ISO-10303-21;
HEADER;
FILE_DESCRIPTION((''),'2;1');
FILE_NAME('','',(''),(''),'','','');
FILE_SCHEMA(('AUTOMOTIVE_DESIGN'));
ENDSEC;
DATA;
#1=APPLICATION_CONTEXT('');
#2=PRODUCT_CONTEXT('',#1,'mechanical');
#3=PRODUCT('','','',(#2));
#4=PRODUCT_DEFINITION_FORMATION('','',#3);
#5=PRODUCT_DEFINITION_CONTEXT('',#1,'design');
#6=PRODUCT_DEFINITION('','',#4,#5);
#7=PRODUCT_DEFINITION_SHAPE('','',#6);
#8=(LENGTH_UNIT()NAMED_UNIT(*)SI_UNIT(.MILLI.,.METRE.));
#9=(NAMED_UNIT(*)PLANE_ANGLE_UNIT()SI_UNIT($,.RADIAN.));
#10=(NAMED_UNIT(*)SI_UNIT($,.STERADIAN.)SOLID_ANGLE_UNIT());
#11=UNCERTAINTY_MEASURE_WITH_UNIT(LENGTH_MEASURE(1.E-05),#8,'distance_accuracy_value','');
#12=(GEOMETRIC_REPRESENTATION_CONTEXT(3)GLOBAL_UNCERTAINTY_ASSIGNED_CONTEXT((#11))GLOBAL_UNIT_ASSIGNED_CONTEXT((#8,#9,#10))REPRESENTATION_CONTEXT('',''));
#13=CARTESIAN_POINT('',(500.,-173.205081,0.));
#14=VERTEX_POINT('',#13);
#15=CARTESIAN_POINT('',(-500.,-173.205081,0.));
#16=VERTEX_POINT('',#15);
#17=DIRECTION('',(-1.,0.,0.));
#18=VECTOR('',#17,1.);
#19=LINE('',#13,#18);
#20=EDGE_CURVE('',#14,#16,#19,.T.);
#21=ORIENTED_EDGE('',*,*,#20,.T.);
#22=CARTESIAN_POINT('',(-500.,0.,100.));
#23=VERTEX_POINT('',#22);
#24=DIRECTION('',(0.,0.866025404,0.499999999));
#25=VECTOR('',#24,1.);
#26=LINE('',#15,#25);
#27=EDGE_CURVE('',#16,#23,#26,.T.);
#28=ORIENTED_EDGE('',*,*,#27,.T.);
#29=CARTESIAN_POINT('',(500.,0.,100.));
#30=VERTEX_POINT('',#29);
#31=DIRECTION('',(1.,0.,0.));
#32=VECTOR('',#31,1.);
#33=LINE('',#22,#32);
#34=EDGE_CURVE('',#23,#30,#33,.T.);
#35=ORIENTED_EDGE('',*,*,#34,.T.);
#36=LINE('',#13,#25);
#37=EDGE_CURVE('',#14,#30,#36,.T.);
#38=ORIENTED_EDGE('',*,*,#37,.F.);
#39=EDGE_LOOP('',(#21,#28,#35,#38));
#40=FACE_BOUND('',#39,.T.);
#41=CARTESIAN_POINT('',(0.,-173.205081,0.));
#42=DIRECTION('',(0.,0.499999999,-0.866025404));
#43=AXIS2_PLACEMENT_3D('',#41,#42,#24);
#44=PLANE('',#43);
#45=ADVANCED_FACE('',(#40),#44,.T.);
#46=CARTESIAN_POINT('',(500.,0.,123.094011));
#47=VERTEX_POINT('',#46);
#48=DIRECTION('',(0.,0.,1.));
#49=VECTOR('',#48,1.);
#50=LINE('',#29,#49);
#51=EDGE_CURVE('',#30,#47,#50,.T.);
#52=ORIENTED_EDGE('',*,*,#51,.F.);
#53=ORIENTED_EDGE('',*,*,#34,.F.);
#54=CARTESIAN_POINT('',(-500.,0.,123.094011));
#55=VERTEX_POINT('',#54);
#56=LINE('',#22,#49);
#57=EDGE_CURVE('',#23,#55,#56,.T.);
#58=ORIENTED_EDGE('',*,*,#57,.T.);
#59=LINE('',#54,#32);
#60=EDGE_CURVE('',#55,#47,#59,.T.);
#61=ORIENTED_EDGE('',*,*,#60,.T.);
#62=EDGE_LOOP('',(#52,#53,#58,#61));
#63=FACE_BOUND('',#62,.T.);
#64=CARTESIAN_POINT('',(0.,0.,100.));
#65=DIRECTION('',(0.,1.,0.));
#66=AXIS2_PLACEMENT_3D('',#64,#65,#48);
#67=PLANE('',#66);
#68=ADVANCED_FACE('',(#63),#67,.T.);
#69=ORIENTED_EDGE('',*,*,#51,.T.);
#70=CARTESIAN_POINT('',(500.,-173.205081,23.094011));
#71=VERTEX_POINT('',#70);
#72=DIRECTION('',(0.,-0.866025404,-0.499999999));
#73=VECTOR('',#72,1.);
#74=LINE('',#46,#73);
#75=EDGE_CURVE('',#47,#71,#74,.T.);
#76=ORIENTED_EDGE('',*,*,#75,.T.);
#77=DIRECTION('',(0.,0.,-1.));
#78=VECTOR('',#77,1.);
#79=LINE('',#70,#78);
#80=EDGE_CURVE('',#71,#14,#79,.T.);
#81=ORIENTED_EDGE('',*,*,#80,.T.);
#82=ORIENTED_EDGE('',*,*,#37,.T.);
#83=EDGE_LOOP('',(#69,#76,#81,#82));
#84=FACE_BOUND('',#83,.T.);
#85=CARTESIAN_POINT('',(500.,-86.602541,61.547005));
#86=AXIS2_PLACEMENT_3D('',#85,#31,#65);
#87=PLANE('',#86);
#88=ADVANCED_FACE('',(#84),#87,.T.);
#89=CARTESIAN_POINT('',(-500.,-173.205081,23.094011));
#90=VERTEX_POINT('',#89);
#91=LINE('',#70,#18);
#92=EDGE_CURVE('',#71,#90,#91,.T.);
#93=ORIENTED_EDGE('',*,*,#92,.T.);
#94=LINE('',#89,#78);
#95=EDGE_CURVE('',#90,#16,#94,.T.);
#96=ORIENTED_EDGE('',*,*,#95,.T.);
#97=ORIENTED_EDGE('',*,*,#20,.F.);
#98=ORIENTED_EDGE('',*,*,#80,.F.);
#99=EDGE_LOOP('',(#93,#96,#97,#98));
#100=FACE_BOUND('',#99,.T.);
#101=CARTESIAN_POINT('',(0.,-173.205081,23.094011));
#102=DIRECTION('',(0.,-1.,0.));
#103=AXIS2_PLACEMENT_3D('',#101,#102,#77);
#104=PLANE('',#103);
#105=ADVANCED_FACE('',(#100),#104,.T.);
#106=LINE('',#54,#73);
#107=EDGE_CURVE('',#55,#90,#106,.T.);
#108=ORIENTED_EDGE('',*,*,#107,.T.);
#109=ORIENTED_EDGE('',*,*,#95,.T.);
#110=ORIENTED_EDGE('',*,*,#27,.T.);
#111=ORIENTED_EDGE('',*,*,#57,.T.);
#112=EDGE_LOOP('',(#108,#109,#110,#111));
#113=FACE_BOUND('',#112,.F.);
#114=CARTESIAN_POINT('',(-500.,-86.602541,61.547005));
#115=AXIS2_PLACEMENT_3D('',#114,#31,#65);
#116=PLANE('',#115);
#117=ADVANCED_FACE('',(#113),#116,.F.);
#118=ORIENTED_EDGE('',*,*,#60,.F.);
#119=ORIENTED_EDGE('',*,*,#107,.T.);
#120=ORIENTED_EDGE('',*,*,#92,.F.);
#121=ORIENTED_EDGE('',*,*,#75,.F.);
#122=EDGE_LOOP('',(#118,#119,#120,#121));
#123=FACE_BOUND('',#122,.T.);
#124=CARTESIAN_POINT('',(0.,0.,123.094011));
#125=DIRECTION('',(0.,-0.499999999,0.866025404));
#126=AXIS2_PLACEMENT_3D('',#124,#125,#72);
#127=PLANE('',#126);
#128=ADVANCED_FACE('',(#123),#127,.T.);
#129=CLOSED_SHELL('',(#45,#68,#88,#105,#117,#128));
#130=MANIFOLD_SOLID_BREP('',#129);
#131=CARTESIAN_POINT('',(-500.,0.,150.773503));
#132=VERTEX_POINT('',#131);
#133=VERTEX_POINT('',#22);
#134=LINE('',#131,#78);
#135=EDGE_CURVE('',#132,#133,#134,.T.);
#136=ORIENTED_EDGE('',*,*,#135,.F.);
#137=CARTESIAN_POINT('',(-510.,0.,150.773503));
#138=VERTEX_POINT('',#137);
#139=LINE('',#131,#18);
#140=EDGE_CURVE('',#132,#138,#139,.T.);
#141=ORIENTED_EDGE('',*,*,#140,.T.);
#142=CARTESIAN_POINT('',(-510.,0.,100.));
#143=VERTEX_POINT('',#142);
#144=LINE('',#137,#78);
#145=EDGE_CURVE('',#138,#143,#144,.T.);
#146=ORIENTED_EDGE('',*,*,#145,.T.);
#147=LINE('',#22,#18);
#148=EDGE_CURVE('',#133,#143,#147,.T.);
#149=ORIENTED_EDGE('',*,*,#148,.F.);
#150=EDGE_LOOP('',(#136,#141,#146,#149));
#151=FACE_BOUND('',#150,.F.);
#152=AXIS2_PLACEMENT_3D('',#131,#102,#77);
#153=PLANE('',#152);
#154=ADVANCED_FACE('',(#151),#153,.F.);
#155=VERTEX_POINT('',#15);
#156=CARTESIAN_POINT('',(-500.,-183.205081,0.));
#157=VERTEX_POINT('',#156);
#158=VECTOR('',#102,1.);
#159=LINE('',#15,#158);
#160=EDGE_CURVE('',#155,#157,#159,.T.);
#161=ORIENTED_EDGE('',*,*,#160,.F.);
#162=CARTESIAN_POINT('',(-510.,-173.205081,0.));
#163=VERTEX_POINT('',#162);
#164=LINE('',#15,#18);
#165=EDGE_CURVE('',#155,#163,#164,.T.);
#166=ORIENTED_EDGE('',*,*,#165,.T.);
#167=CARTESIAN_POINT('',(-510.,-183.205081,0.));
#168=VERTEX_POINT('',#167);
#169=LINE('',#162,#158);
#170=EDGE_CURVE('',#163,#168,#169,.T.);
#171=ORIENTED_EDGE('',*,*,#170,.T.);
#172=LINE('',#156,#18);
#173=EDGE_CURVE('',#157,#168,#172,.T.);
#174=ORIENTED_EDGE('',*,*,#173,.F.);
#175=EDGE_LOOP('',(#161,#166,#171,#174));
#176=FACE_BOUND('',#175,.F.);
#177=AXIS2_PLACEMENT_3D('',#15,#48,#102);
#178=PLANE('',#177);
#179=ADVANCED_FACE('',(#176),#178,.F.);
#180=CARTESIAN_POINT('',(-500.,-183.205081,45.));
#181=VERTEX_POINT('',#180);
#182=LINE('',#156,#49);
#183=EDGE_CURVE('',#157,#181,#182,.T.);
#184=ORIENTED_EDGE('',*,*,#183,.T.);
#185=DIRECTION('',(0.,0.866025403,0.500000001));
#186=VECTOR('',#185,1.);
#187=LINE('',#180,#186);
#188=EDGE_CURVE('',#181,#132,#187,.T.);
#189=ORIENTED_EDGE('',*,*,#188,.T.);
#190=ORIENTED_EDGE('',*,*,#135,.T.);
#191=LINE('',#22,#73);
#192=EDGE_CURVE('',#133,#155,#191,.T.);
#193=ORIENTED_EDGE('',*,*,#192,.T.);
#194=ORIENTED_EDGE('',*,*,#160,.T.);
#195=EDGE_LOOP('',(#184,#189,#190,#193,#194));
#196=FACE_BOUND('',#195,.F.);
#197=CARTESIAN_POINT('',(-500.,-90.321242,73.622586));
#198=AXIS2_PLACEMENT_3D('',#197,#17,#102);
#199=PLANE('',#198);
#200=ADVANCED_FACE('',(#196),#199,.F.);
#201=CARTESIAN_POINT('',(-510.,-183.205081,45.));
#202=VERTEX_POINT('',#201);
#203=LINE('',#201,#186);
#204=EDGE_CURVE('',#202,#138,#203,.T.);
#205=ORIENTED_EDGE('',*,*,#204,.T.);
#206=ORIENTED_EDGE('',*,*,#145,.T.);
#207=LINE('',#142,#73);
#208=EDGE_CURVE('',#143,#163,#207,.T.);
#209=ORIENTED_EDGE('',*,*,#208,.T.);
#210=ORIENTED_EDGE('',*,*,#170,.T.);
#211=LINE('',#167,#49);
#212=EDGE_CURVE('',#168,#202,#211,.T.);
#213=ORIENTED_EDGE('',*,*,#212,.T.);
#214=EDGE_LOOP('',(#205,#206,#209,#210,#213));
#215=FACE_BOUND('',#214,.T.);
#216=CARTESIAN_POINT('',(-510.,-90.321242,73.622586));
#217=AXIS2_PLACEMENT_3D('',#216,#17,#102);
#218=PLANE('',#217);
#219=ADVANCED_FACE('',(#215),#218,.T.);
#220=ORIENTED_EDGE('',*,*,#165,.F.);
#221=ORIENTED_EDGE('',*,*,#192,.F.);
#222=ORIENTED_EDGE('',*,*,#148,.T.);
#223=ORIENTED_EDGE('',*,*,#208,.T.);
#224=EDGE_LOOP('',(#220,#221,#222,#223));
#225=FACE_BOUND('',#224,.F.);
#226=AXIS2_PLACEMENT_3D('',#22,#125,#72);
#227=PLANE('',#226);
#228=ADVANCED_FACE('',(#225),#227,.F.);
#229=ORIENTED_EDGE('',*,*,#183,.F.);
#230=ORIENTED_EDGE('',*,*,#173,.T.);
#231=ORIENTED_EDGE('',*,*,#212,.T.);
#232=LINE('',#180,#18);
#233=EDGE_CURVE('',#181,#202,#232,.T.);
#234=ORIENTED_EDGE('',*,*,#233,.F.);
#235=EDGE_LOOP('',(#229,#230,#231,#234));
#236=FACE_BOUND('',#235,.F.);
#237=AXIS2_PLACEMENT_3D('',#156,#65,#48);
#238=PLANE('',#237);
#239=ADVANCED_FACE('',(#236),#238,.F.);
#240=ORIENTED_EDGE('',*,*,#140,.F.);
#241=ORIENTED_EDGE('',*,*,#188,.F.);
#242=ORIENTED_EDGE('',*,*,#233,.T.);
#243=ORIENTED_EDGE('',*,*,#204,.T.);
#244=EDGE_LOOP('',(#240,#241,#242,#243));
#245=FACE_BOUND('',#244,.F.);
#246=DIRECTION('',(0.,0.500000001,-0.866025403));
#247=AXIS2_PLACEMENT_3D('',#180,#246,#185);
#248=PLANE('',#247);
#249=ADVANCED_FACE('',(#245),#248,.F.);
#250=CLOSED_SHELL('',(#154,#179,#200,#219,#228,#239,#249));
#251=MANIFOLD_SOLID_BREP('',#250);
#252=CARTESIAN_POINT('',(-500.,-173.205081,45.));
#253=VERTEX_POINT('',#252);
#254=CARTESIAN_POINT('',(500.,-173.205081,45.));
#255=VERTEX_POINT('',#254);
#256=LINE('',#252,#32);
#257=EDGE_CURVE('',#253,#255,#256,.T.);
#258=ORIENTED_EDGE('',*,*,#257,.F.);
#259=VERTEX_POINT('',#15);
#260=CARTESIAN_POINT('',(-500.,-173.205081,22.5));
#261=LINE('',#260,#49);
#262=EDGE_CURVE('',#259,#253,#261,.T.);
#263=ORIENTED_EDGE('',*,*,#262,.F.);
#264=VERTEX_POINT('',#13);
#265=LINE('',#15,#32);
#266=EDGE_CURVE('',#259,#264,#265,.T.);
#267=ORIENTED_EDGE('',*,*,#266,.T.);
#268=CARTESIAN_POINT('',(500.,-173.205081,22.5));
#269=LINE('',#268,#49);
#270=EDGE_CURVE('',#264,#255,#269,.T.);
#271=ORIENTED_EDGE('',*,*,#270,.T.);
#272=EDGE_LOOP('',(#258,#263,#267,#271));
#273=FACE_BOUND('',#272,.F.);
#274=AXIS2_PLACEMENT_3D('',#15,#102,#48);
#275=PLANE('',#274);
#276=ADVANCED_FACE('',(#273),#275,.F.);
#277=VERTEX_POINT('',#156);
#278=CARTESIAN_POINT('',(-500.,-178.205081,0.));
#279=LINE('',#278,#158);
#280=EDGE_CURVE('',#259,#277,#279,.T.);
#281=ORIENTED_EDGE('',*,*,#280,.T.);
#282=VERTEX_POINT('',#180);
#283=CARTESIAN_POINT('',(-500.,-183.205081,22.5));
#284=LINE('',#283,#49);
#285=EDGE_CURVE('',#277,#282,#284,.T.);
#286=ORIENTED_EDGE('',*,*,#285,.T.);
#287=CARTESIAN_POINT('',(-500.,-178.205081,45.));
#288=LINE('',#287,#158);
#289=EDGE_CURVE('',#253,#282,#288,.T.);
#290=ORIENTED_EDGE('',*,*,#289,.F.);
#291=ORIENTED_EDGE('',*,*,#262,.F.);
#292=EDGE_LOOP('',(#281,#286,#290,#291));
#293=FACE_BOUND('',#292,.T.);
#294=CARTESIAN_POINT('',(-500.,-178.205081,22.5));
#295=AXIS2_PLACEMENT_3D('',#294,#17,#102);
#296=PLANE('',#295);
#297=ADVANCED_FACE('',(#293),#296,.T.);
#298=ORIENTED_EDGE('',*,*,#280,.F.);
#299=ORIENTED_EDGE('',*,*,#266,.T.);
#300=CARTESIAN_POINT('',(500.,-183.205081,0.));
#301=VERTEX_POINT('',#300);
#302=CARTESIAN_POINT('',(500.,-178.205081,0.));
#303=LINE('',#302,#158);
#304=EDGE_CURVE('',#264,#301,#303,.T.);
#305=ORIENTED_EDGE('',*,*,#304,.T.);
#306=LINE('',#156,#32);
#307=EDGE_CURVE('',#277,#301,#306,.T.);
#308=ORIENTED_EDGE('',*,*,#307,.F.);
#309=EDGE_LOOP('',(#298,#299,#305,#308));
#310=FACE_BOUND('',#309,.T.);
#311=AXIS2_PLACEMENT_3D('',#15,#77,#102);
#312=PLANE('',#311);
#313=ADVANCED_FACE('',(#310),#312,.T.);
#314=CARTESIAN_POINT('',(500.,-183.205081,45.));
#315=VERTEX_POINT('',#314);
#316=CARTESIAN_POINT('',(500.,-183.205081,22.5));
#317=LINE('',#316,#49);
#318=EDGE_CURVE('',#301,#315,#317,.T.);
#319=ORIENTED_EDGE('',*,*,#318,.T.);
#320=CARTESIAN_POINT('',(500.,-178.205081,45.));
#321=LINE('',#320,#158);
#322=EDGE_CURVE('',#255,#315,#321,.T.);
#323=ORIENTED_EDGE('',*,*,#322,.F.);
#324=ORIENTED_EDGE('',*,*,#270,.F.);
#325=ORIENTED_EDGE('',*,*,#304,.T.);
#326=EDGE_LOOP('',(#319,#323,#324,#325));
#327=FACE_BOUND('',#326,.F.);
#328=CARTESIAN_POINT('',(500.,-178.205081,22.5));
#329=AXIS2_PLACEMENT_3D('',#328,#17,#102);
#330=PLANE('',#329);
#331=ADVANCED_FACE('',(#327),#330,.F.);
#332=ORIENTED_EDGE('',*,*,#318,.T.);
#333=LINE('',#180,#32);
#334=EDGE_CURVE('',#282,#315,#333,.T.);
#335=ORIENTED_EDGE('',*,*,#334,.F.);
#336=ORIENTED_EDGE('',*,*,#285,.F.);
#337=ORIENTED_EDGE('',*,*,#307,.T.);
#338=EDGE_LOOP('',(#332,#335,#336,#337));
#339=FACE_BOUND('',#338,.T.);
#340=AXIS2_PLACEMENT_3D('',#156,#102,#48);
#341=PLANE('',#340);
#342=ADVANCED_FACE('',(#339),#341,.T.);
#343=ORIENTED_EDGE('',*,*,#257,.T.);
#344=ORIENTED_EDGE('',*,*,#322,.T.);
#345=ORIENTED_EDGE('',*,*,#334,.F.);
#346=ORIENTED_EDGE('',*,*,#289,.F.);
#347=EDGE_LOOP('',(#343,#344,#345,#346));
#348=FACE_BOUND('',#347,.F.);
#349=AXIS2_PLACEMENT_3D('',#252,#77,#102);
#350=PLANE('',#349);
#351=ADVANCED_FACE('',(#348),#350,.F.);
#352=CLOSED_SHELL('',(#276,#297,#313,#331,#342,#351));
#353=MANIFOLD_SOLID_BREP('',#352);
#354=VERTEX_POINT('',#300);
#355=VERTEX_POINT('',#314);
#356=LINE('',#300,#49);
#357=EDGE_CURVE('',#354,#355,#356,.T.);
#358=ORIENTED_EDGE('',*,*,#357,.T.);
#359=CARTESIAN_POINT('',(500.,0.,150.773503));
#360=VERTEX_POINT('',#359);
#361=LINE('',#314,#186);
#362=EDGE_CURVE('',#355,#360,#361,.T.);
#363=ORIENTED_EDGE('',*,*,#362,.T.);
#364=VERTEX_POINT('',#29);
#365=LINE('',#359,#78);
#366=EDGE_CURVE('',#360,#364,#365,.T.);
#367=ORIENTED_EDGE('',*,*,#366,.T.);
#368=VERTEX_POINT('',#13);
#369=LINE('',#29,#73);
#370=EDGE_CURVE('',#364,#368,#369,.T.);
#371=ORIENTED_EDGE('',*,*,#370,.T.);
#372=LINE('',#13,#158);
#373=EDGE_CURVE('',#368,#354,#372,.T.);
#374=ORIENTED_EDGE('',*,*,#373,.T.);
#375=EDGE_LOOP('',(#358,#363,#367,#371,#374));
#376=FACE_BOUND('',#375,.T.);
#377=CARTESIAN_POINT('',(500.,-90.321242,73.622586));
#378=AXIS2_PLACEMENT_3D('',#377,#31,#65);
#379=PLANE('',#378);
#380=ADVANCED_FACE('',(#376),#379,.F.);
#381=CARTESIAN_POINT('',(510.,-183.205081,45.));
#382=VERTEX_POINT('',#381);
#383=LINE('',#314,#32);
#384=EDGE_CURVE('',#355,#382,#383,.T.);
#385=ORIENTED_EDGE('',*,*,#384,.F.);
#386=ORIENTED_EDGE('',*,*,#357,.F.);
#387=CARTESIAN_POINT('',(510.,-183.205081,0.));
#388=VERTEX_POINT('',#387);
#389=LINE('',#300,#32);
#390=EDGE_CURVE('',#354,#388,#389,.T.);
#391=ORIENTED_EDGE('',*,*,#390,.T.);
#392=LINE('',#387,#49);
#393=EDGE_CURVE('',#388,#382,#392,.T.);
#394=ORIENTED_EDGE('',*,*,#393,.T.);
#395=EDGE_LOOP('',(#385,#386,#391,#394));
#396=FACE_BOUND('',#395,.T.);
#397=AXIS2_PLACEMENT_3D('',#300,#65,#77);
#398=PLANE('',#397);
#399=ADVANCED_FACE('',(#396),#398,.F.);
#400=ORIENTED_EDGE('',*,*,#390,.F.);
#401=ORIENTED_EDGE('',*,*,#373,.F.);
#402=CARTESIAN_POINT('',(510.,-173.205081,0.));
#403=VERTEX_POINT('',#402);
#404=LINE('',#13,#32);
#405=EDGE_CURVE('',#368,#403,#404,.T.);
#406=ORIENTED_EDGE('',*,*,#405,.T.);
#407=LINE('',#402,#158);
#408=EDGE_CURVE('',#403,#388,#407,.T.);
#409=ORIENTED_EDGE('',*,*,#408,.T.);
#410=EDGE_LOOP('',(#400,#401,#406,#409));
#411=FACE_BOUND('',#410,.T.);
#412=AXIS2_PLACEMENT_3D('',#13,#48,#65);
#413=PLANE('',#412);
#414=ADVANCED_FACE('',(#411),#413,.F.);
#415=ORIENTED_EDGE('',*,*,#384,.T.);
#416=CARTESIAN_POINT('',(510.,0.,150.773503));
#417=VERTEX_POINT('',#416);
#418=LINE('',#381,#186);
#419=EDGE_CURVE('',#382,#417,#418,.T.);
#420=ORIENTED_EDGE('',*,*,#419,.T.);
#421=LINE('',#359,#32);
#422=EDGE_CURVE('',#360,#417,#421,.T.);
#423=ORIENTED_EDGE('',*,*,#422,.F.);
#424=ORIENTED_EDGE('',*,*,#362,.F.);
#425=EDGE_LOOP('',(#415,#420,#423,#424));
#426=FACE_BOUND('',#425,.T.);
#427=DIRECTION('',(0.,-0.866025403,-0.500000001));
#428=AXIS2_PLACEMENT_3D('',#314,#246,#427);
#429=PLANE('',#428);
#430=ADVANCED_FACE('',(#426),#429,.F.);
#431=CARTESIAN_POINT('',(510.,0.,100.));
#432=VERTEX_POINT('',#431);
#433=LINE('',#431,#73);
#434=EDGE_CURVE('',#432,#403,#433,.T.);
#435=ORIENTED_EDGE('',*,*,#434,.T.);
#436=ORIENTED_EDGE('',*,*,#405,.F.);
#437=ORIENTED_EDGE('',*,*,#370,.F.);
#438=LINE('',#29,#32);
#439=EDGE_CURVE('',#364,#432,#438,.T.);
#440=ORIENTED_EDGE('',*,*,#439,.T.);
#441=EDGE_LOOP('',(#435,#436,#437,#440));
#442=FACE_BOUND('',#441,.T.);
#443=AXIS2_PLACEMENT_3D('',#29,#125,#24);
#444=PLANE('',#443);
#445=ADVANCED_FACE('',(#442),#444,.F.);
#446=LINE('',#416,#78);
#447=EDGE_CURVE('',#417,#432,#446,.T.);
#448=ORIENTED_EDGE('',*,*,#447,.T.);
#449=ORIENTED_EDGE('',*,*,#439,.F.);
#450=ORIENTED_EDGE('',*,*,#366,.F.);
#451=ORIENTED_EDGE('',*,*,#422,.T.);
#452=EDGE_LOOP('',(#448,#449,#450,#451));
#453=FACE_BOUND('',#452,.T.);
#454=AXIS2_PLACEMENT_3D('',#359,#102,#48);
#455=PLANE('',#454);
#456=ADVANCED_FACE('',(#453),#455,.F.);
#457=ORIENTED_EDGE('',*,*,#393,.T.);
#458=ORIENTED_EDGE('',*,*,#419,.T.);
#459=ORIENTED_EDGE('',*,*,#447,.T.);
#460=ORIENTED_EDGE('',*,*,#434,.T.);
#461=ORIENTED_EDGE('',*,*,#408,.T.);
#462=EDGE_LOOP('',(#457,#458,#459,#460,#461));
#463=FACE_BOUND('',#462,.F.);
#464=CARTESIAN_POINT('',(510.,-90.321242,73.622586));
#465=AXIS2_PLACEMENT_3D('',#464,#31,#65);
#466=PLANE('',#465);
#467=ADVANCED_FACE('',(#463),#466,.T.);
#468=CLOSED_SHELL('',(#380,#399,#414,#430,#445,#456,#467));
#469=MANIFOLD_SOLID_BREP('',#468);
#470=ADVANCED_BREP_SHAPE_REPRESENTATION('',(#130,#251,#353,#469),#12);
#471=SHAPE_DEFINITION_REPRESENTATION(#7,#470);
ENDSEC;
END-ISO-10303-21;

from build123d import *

# Parameters (mm, degrees)
F1_DEPTH = 500
F2_W     = 10
F2_H     = 45
F3_DEPTH = 1000
F5_DEPTH = 10


with BuildPart() as f1:
    # F0 (on Right) → F1 (new body, symmetric)
    with BuildSketch(Plane.YZ):
        Polygon((-173.205081, 0), (0, 100), (0, 123.094011), (-173.205081, 23.094011), align=None)
    extrude(amount=F1_DEPTH, both=True)


with BuildPart() as f3:
    # F2 (on face) → F3 (new body)
    with BuildSketch(Plane(origin=(-500, 0, 0), x_dir=(0, -1, 0), z_dir=(-1, 0, 0))):
        with Locations((178.205081, 22.5)):
            Rectangle(F2_W, F2_H)
    extrude(amount=-F3_DEPTH)


with BuildPart() as f5:
    # F4 (on face) → F5 (new body)
    with BuildSketch(Plane(origin=(-500, 0, 0), x_dir=(0, -1, 0), z_dir=(-1, 0, 0))):
        Polygon((0, 150.773503), (0, 100), (173.205081, 0), (183.205081, 0), (183.205081, 45), align=None)
    extrude(amount=F5_DEPTH)


with BuildPart() as f6_1:
    # F6: instance of F5
    add(f5.part.mirror(Plane.YZ))


solid = Compound([f1.part, f3.part, f5.part, f6_1.part])
